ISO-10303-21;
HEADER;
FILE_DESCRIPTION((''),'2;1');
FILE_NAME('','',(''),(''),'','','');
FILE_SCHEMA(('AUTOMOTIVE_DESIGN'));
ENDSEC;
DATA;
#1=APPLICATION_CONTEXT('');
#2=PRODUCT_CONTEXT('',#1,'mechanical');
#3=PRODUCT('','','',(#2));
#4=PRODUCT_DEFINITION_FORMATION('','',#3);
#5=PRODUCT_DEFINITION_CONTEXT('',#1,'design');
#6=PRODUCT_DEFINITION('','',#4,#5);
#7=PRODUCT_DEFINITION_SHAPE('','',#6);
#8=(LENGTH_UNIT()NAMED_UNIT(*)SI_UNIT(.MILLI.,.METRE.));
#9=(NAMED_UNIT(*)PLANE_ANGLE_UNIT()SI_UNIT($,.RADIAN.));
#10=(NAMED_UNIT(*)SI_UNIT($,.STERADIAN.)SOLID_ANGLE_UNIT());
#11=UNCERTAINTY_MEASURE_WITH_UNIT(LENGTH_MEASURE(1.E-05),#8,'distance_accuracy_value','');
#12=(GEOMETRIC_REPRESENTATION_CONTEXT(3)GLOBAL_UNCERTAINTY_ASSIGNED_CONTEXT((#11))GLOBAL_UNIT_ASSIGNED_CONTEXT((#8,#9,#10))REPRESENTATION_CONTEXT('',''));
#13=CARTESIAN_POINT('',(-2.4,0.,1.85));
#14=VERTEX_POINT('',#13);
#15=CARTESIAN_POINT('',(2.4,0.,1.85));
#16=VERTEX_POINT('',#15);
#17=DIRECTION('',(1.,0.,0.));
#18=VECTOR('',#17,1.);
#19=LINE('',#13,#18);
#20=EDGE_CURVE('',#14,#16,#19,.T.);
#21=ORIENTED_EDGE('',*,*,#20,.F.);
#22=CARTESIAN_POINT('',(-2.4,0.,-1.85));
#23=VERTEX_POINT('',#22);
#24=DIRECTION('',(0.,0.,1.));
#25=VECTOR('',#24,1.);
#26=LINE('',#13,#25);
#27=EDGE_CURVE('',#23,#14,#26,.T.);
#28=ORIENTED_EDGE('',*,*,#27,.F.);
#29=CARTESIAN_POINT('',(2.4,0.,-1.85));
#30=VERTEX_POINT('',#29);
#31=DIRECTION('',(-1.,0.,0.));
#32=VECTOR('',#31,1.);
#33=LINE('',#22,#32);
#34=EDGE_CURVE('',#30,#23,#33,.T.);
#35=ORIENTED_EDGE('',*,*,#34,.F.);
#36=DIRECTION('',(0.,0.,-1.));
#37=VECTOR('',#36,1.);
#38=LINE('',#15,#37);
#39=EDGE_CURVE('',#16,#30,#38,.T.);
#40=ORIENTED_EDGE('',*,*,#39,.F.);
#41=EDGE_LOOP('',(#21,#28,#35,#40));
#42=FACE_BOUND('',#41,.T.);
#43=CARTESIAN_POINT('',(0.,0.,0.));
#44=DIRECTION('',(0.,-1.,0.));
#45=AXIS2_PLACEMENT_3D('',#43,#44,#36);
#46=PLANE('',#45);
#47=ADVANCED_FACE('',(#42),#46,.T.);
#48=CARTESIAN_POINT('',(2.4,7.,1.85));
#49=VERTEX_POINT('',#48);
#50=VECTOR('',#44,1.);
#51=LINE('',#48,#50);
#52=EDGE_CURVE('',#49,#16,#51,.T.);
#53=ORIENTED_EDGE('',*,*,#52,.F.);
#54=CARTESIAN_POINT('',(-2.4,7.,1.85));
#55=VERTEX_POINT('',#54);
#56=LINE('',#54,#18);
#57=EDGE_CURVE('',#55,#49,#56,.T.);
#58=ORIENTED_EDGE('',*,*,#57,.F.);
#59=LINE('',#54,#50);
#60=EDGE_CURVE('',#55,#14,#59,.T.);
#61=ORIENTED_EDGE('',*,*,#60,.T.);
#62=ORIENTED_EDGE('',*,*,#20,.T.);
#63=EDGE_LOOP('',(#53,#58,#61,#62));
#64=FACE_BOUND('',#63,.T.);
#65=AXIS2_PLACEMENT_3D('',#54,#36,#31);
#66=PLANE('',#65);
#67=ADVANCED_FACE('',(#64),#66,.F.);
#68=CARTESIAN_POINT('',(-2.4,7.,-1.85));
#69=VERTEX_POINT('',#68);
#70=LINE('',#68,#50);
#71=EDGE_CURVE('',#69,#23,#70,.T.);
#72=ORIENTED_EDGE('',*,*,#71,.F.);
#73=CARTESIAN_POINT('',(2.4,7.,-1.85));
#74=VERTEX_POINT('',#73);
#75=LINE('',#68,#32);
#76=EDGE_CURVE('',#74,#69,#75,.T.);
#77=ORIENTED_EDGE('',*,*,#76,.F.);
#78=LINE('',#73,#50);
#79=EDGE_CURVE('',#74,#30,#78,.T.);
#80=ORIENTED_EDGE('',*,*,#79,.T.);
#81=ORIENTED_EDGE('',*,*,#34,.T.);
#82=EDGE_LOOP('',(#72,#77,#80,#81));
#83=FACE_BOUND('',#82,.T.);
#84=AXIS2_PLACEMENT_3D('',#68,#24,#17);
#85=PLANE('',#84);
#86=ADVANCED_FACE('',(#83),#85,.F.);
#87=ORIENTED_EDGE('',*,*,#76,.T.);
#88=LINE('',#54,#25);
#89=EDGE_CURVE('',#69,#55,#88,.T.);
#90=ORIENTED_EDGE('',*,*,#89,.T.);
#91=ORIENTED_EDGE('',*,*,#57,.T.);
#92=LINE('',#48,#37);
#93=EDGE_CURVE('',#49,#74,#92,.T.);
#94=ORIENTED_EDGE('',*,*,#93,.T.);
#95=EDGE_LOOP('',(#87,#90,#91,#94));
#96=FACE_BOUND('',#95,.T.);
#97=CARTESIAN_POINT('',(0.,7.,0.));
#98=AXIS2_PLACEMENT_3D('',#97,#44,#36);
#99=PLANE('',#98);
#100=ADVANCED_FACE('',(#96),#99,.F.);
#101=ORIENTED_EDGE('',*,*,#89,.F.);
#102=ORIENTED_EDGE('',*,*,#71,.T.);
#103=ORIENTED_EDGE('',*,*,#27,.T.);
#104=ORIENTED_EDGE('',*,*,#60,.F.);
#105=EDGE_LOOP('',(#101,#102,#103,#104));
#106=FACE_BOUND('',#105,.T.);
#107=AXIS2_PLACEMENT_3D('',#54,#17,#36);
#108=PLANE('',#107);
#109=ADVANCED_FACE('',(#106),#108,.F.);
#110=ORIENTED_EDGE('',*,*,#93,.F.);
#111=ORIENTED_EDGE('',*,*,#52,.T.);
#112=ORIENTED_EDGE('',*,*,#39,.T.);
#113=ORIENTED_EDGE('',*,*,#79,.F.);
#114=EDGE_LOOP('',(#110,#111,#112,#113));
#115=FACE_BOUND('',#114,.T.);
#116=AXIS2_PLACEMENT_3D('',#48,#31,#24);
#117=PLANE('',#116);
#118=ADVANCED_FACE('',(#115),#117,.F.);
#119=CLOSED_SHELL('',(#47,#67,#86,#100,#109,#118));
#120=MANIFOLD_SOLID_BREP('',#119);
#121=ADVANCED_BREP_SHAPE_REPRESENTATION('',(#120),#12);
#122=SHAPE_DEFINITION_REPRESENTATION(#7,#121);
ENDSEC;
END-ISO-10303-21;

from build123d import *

# Parameters (mm, degrees)
SKETCH_1_W      = 4.8
SKETCH_1_H      = 3.7
EXTRUDE_1_DEPTH = 7


with BuildPart() as part:
    # 草图1 → 凸台-拉伸1 (new body)
    with BuildSketch(Plane(origin=(0, 0, 0), x_dir=(1, 0, 0), z_dir=(0, 1, 0))):
        Rectangle(SKETCH_1_W, SKETCH_1_H)
    extrude(amount=EXTRUDE_1_DEPTH)


solid = part.part
